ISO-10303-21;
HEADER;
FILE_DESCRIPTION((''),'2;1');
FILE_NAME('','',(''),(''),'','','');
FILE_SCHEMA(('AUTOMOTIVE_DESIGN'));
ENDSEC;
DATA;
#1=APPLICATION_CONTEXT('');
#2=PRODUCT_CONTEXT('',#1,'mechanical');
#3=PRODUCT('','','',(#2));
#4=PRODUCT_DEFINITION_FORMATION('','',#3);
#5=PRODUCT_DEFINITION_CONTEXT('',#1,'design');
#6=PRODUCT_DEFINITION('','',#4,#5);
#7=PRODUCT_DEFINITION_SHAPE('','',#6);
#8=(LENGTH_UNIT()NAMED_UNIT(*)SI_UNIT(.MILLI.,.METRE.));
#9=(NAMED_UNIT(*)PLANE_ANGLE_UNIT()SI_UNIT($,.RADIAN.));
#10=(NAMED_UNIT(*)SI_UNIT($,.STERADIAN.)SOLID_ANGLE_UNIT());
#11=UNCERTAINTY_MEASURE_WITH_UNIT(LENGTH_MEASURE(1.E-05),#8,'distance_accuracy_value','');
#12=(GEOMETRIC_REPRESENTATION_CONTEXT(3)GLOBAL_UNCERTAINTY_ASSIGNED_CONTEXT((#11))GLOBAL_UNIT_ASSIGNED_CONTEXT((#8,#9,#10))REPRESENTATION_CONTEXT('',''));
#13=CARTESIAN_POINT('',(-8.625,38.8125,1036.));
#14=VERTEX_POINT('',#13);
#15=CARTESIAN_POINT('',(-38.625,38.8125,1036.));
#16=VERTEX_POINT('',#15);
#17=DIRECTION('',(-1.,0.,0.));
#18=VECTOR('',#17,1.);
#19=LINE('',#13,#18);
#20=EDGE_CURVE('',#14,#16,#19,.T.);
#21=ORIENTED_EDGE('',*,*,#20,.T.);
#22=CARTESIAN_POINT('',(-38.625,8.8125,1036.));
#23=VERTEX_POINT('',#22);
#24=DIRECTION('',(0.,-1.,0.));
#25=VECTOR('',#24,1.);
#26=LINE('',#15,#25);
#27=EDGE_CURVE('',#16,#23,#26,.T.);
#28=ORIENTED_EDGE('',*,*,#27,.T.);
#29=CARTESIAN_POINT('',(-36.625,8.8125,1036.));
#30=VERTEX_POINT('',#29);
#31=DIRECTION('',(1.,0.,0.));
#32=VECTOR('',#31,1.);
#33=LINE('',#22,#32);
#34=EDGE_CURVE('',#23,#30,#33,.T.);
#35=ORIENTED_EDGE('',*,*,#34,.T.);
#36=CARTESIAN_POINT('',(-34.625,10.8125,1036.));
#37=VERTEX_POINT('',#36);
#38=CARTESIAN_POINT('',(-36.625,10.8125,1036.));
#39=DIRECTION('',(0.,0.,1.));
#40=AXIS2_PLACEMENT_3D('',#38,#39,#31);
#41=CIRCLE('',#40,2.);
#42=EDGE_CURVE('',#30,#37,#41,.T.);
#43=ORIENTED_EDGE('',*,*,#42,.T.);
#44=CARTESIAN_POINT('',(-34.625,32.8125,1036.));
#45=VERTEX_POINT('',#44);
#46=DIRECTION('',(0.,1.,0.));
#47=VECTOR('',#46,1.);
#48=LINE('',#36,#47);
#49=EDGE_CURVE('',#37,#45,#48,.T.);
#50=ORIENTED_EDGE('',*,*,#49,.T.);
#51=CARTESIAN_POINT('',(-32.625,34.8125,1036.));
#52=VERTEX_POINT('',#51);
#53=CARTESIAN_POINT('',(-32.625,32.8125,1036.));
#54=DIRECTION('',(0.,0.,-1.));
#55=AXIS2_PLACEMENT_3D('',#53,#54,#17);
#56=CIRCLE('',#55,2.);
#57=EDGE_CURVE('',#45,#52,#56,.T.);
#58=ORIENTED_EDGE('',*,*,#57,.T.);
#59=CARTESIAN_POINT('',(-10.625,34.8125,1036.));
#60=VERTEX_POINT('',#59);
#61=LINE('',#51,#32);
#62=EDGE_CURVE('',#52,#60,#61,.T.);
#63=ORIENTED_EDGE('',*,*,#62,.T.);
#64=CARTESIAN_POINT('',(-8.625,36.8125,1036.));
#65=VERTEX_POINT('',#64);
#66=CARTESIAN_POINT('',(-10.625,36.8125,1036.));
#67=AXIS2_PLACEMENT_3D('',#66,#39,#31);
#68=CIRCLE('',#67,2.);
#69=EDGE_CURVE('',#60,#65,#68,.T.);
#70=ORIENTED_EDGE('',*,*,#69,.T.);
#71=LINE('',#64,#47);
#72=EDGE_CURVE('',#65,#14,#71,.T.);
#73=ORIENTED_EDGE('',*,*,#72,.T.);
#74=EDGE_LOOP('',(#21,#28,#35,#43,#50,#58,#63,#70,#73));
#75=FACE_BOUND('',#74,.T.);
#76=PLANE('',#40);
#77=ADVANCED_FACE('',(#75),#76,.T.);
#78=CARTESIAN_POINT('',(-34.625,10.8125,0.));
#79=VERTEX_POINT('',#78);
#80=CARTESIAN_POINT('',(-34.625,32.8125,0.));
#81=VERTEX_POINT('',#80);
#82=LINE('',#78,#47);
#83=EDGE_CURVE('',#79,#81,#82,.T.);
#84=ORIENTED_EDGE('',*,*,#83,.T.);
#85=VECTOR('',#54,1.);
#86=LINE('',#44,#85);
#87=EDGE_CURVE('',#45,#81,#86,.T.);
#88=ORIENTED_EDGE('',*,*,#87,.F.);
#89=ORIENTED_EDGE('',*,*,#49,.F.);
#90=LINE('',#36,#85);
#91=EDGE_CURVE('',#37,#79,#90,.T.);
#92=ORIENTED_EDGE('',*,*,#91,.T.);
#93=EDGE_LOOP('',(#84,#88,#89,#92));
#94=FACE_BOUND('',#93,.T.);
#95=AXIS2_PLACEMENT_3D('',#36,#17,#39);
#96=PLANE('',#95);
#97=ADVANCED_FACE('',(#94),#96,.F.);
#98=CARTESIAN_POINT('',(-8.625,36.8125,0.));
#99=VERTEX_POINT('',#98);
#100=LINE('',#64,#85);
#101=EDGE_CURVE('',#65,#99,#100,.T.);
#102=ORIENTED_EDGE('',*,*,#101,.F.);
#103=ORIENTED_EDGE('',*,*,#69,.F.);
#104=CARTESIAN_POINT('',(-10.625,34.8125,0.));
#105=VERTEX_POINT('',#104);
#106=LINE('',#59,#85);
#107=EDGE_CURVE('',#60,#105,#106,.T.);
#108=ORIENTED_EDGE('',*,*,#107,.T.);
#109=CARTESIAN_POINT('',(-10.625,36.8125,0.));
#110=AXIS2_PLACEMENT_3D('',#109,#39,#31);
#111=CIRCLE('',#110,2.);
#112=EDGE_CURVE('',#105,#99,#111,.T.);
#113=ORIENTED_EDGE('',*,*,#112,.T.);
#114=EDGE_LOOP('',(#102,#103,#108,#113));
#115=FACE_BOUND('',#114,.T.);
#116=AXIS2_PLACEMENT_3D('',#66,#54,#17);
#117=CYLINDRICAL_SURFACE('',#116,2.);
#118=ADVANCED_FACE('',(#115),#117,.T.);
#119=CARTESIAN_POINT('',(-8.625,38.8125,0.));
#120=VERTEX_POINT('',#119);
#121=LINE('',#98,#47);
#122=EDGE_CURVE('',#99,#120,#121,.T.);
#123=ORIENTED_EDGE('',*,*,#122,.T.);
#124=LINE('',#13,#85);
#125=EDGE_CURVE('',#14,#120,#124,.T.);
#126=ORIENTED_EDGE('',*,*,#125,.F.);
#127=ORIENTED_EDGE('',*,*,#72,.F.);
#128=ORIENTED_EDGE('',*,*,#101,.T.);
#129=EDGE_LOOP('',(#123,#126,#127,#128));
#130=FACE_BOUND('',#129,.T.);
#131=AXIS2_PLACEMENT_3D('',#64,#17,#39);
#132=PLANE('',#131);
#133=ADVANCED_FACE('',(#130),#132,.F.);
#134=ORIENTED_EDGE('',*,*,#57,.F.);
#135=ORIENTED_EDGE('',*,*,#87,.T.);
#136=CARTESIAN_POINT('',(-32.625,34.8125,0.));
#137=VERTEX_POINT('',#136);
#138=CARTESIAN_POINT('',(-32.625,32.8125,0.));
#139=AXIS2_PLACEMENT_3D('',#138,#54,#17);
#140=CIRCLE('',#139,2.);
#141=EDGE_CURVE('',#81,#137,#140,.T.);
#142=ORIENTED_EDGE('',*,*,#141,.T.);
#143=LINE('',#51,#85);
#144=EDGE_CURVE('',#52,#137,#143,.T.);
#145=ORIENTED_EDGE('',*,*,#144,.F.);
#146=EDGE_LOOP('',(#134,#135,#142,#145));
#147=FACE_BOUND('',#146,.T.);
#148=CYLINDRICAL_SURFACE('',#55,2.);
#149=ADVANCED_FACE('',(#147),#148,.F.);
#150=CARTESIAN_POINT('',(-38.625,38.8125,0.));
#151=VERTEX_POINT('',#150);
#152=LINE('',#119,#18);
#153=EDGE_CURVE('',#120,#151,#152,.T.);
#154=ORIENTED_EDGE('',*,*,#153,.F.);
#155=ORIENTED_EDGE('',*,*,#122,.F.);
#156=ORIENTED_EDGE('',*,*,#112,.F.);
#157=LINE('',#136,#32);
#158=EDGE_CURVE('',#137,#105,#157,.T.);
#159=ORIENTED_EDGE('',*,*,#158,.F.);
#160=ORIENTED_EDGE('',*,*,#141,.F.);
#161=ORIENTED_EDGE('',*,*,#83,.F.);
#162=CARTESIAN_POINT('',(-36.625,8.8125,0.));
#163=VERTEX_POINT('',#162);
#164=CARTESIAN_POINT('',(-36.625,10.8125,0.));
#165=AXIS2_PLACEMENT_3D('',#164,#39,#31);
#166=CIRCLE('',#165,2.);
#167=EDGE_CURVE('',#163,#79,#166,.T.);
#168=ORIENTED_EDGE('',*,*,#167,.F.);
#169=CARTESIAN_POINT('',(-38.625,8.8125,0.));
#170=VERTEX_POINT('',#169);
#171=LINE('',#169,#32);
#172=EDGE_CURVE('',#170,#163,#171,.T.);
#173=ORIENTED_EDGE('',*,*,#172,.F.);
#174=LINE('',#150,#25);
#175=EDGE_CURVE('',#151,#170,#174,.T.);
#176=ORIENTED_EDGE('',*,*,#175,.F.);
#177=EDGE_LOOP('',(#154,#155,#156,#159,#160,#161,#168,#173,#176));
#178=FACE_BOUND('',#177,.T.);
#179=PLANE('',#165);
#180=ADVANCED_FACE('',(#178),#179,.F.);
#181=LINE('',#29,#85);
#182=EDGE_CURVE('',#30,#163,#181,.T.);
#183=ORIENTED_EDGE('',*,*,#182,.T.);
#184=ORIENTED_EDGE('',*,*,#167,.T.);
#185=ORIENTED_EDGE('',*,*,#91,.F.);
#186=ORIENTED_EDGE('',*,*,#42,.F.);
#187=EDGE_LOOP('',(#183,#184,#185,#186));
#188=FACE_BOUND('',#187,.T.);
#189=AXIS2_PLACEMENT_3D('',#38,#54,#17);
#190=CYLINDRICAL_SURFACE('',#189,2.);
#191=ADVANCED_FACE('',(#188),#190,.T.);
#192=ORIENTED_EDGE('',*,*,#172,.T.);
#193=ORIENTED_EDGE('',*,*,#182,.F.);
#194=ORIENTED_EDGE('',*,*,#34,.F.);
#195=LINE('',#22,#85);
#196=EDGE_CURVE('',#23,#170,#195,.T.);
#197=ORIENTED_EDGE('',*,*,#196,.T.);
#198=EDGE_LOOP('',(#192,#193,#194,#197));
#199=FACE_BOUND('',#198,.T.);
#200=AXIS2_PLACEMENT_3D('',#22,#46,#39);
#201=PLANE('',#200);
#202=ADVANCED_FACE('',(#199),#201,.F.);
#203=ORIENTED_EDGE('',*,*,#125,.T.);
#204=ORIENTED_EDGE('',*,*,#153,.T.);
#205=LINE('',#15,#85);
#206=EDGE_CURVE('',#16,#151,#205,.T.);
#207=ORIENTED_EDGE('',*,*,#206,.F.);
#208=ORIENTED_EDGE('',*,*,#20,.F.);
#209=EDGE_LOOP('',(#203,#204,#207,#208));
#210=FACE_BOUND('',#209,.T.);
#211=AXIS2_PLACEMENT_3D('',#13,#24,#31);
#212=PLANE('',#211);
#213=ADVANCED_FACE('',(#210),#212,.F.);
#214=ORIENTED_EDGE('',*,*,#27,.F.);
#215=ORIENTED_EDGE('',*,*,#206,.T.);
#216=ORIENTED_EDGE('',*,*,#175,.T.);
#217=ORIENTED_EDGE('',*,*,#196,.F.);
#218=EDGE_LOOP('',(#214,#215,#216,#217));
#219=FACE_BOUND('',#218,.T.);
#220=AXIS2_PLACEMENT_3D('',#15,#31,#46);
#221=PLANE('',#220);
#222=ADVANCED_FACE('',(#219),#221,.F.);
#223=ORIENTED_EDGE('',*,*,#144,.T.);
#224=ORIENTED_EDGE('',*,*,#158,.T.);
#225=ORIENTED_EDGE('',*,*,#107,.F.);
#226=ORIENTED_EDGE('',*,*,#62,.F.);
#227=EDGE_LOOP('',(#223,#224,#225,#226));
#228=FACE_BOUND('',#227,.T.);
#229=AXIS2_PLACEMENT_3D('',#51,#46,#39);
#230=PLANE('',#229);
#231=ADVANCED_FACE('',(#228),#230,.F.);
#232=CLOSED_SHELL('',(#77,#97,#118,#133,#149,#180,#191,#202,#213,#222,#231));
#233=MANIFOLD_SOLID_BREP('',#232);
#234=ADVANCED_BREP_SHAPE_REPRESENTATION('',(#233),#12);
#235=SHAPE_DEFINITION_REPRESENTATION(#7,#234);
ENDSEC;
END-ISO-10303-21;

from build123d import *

# Parameters (mm, degrees)
BOSS_EXTRUDE1_DEPTH = 1036


with BuildPart() as part:
    # Sketch1 → Boss-Extrude1 (new body)
    with BuildSketch(Plane.XY):
        with BuildLine():
            Line((-8.625, 38.8125), (-38.625, 38.8125))
            Line((-38.625, 38.8125), (-38.625, 8.8125))
            Line((-38.625, 8.8125), (-36.625, 8.8125))
            ThreePointArc((-36.625, 8.8125), (-35.210786438, 9.398286438), (-34.625, 10.8125))
            Line((-34.625, 10.8125), (-34.625, 32.8125))
            ThreePointArc((-34.625, 32.8125), (-34.039213562, 34.226713562), (-32.625, 34.8125))
            Line((-32.625, 34.8125), (-10.625, 34.8125))
            ThreePointArc((-10.625, 34.8125), (-9.210786438, 35.398286438), (-8.625, 36.8125))
            Line((-8.625, 36.8125), (-8.625, 38.8125))
        make_face()
    extrude(amount=BOSS_EXTRUDE1_DEPTH)


solid = part.part
